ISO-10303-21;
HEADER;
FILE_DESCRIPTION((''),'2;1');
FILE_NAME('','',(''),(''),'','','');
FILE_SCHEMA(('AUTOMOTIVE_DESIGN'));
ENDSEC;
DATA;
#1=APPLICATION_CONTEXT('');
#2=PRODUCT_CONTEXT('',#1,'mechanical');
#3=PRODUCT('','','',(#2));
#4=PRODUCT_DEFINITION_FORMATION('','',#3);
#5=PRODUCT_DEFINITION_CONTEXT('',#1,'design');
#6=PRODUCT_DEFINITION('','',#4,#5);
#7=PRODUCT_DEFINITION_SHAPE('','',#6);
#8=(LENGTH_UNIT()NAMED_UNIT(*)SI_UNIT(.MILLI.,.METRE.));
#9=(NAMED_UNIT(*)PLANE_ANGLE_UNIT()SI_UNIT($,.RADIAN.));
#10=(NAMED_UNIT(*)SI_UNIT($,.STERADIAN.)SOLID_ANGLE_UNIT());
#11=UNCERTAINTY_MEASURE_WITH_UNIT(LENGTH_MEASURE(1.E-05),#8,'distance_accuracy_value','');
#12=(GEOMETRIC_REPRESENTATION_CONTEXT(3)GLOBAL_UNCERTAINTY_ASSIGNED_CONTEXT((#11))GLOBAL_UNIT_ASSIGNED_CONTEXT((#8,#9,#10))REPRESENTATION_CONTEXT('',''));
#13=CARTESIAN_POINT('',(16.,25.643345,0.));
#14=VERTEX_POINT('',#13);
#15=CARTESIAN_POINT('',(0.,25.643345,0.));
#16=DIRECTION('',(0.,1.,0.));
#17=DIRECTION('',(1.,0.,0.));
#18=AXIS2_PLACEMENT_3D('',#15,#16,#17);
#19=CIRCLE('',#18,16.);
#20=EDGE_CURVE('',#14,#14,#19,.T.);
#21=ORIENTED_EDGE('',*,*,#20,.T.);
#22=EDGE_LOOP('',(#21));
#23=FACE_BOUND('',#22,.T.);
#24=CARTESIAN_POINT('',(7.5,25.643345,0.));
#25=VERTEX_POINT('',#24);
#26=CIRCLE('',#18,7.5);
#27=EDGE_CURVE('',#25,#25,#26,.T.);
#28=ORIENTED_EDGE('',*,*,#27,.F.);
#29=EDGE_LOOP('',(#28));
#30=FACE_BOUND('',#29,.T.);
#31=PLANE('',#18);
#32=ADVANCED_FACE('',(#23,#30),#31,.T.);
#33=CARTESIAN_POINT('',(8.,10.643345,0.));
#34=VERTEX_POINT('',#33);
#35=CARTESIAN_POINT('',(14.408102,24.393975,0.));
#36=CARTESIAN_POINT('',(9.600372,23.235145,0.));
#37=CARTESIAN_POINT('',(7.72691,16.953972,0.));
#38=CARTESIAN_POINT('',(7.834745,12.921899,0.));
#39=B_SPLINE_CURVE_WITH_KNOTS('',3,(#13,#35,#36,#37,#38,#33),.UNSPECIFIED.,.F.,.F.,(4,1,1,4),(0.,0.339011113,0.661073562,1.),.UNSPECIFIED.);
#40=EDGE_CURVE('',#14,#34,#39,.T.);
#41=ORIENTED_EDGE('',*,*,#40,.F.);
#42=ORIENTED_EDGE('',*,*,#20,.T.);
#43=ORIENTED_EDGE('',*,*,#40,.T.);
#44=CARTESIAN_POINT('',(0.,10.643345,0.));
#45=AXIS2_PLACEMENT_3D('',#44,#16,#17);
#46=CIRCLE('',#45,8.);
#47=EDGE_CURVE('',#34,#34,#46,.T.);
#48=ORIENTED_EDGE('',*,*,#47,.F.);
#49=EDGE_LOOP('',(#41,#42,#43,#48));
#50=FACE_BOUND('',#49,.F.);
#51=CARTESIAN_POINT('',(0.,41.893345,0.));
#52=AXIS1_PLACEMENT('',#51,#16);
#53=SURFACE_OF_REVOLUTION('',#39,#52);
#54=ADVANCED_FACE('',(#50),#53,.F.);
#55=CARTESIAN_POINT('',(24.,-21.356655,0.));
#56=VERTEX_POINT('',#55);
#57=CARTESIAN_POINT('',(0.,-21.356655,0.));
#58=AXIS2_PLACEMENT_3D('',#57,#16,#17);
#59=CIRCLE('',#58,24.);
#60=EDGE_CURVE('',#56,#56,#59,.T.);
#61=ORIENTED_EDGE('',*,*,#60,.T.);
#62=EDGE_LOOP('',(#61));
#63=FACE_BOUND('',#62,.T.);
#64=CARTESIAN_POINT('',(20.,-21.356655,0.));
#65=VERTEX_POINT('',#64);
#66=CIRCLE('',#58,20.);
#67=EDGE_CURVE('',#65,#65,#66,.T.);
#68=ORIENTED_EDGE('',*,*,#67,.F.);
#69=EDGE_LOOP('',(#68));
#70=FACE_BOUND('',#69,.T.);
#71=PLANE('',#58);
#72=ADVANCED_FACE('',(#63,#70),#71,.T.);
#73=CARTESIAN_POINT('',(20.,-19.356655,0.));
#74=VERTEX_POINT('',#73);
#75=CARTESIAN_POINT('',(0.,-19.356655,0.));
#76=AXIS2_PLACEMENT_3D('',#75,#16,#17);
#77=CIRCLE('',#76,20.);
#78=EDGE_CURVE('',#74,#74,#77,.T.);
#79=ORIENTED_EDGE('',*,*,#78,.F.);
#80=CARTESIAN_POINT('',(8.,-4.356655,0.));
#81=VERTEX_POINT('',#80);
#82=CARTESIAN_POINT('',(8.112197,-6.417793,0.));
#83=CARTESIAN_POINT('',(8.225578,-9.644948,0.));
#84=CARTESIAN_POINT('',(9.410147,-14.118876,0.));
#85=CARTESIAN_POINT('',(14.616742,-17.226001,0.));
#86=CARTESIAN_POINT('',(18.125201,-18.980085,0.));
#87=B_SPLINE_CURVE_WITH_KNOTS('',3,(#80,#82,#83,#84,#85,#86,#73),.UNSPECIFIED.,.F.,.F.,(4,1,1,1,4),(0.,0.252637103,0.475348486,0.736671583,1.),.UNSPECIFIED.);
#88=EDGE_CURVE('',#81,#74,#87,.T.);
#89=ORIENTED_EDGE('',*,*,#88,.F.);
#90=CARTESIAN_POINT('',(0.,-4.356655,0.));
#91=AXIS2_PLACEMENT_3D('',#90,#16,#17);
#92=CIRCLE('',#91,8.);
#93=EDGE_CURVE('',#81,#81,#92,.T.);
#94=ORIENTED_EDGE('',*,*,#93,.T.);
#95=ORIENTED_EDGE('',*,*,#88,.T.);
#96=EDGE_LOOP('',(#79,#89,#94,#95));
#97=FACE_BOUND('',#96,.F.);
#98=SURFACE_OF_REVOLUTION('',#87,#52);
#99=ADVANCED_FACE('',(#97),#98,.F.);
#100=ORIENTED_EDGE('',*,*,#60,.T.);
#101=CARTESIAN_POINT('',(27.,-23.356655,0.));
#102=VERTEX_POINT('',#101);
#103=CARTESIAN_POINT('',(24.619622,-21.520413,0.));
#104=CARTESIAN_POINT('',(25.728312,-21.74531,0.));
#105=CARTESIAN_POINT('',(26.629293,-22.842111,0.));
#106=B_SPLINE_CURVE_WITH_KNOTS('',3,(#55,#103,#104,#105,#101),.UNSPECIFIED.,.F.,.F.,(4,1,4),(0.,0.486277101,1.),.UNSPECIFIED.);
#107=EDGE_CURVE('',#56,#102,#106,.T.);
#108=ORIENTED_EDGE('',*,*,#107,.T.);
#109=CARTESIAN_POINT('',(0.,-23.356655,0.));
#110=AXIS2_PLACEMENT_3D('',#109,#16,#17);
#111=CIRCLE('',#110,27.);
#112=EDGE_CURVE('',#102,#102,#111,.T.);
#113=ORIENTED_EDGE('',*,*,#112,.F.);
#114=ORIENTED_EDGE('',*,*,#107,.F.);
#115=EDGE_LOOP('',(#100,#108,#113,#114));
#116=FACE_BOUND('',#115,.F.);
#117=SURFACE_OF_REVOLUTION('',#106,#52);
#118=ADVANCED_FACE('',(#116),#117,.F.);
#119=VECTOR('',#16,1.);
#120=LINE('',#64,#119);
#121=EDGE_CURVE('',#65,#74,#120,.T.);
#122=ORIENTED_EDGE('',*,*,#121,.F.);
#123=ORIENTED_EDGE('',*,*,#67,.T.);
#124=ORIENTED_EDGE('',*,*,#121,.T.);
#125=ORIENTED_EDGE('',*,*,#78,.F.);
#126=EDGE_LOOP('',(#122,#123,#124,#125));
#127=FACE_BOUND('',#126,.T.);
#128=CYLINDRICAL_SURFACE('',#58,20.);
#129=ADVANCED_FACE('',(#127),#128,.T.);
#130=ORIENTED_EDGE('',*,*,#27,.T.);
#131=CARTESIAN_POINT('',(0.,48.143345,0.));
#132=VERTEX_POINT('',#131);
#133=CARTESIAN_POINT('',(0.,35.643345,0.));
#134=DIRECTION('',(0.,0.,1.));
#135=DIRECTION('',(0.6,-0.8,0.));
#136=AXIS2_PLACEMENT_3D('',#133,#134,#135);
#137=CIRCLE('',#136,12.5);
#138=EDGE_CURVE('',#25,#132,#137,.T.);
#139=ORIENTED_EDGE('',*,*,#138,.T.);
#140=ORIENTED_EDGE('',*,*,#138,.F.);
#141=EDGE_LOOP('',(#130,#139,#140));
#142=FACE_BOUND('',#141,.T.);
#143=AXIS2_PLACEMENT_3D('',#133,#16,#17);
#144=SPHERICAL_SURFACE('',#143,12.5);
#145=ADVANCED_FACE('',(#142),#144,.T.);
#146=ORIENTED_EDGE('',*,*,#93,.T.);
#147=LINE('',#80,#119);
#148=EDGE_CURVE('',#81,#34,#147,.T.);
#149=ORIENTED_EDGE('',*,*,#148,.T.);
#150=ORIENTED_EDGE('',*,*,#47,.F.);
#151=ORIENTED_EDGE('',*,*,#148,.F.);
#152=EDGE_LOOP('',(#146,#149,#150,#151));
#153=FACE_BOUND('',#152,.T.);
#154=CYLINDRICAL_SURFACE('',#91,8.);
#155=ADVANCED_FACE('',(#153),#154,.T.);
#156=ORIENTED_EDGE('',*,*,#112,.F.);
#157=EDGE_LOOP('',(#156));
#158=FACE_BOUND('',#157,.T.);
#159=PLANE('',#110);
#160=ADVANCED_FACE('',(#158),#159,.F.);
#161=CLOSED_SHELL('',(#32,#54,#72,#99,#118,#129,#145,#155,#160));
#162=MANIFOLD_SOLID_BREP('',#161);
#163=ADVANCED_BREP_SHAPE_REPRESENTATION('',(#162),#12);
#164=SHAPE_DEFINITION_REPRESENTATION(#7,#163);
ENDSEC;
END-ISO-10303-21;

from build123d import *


with BuildPart() as f1:
    # F0 (on Top) → F1 (revolve)
    with BuildSketch(Plane.XY):
        with BuildLine():
            Line((16, 25.6433447152), (7.5, 25.6433447152))
            ThreePointArc((7.5, 25.6433447152), (11.8585412256, 39.5961917904), (0, 48.1433447152))
            Line((0, 48.1433447152), (0, 35.6433447152))
            Line((0, 35.6433447152), (0, 25.6433447152))
            Line((0, 25.6433447152), (0, 10.6433447152))
            Line((0, 10.6433447152), (0, -4.3566552848))
            Line((0, -4.3566552848), (0, -19.3566552848))
            Line((0, -19.3566552848), (0, -21.3566552848))
            Line((0, -21.3566552848), (0, -23.3566552848))
            Line((0, -23.3566552848), (27, -23.3566552848))
            add(Edge.make_bspline(
                [(24, -21.3566552848), (24.6196215054, -21.5204134228), (25.7283122835, -21.7453096783), (26.6292929815, -22.8421110074), (27, -23.3566552848)],
                knots=[0, 0, 0, 0, 0.4862771007, 1, 1, 1, 1], degree=3))
            Line((24, -21.3566552848), (20, -21.3566552848))
            Line((20, -21.3566552848), (20, -19.3566552848))
            add(Edge.make_bspline(
                [(8, -4.3566552848), (8.112197293, -6.417793237), (8.2255784728, -9.6449483768), (9.4101474188, -14.118876444), (14.6167419047, -17.2260008278), (18.1252009022, -18.9800847123), (20, -19.3566552848)],
                knots=[0, 0, 0, 0, 0.2526371034, 0.4753484864, 0.7366715827, 1, 1, 1, 1], degree=3))
            Line((8, -4.3566552848), (8, 10.6433447152))
            add(Edge.make_bspline(
                [(16, 25.6433447152), (14.40810159, 24.393974638), (9.6003716662, 23.235144815), (7.7269102311, 16.9539722799), (7.8347447757, 12.9218989334), (8, 10.6433447152)],
                knots=[0, 0, 0, 0, 0.3390111134, 0.6610735617, 1, 1, 1, 1], degree=3))
        make_face()
    revolve(axis=Axis((0, 41.8933447152, 0), (0, 1, 0)))


solid = f1.part
